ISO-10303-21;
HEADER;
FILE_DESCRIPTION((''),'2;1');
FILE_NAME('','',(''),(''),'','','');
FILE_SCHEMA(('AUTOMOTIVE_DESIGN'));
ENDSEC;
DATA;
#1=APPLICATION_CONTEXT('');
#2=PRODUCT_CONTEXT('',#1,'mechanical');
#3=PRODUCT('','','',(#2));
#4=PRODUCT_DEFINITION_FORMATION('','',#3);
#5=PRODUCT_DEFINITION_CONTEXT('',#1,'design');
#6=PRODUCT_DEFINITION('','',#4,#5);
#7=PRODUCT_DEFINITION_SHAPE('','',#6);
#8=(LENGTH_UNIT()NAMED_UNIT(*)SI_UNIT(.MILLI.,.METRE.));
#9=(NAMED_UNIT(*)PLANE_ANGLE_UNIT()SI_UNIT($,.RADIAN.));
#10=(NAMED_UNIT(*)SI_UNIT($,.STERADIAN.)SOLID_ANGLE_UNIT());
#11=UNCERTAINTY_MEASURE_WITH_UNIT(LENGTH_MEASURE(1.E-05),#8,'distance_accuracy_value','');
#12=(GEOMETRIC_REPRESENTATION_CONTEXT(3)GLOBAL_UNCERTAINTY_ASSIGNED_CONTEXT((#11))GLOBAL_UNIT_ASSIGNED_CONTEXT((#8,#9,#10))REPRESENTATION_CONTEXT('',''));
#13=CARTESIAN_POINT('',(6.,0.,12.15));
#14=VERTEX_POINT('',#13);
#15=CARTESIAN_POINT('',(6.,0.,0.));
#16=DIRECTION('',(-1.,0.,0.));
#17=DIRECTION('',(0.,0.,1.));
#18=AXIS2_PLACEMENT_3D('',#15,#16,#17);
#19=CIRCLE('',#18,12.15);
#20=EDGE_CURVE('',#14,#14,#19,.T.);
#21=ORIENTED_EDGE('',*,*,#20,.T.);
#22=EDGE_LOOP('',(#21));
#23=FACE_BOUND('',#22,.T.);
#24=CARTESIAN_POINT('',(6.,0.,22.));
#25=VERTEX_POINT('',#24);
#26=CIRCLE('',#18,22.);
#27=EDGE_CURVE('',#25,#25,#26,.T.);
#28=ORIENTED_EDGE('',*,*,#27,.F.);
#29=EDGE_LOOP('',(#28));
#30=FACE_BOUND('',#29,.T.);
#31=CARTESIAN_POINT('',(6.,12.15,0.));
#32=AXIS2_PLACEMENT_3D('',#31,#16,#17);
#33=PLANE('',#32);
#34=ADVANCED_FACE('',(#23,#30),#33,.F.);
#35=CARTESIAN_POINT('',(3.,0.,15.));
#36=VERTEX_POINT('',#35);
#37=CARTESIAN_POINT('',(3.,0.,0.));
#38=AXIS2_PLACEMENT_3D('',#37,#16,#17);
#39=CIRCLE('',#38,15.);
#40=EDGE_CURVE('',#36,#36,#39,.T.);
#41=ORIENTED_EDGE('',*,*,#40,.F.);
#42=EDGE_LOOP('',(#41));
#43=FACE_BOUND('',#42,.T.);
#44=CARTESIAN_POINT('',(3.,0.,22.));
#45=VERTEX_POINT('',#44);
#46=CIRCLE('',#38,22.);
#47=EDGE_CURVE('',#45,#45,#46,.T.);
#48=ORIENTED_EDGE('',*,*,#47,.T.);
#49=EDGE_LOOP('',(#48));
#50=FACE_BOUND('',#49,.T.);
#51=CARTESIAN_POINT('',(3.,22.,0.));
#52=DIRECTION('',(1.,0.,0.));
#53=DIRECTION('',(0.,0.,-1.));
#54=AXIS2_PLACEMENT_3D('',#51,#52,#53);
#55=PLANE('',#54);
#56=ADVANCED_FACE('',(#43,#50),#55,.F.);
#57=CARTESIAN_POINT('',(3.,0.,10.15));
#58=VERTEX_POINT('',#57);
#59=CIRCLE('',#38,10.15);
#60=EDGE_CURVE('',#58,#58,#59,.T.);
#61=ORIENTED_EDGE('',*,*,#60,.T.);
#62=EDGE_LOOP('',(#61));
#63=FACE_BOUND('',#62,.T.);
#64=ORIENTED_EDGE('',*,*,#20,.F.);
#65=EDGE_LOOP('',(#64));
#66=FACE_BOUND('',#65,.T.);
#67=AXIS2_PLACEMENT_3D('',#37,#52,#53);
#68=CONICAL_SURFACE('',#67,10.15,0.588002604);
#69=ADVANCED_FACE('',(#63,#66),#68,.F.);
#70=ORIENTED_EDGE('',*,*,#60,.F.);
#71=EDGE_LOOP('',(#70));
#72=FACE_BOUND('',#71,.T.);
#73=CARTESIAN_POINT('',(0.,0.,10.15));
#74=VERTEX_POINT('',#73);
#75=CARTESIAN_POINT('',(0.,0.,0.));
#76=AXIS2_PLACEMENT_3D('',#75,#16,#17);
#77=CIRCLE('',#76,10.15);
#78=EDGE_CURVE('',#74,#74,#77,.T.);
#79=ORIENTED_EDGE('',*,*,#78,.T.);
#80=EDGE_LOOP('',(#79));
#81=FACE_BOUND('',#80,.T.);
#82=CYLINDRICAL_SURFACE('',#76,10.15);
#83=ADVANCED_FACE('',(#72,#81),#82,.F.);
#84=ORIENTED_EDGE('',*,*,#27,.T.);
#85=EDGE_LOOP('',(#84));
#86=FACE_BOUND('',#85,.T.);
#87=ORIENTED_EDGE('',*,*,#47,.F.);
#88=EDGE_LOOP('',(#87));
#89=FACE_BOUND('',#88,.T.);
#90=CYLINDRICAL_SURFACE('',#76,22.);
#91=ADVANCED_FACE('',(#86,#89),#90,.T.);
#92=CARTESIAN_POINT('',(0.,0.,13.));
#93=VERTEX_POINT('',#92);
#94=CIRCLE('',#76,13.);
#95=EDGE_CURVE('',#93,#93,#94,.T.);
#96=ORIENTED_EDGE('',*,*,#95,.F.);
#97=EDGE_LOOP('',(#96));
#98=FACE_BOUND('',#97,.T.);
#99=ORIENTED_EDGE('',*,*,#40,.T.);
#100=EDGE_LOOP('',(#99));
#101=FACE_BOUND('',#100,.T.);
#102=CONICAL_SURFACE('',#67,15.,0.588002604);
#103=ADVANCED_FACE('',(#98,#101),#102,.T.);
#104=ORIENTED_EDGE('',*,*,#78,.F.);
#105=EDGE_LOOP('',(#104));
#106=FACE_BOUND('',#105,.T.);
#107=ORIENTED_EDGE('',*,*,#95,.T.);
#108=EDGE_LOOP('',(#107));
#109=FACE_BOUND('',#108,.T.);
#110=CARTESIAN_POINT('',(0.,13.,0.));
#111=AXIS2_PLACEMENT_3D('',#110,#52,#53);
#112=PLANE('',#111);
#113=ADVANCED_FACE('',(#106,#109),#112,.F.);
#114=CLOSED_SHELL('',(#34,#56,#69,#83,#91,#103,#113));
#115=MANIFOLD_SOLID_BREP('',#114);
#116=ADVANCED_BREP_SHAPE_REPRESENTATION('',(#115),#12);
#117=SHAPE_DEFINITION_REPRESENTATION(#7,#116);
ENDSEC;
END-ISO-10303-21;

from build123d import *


with BuildPart() as part:
    # 草图1 → 旋转1 (revolve)
    with BuildSketch(Plane.XY, mode=Mode.PRIVATE) as revolve_1_sk:
        Polygon((6, 12.15), (6, 22), (3, 22), (3, 15), (0, 13), (0, 10.15), (3, 10.15), align=None)
    revolve(revolve_1_sk.sketch.rotate(Axis((0, 0, 0), (1, 0, 0)), 90), axis=Axis((0, 0, 0), (1, 0, 0)))


solid = part.part
